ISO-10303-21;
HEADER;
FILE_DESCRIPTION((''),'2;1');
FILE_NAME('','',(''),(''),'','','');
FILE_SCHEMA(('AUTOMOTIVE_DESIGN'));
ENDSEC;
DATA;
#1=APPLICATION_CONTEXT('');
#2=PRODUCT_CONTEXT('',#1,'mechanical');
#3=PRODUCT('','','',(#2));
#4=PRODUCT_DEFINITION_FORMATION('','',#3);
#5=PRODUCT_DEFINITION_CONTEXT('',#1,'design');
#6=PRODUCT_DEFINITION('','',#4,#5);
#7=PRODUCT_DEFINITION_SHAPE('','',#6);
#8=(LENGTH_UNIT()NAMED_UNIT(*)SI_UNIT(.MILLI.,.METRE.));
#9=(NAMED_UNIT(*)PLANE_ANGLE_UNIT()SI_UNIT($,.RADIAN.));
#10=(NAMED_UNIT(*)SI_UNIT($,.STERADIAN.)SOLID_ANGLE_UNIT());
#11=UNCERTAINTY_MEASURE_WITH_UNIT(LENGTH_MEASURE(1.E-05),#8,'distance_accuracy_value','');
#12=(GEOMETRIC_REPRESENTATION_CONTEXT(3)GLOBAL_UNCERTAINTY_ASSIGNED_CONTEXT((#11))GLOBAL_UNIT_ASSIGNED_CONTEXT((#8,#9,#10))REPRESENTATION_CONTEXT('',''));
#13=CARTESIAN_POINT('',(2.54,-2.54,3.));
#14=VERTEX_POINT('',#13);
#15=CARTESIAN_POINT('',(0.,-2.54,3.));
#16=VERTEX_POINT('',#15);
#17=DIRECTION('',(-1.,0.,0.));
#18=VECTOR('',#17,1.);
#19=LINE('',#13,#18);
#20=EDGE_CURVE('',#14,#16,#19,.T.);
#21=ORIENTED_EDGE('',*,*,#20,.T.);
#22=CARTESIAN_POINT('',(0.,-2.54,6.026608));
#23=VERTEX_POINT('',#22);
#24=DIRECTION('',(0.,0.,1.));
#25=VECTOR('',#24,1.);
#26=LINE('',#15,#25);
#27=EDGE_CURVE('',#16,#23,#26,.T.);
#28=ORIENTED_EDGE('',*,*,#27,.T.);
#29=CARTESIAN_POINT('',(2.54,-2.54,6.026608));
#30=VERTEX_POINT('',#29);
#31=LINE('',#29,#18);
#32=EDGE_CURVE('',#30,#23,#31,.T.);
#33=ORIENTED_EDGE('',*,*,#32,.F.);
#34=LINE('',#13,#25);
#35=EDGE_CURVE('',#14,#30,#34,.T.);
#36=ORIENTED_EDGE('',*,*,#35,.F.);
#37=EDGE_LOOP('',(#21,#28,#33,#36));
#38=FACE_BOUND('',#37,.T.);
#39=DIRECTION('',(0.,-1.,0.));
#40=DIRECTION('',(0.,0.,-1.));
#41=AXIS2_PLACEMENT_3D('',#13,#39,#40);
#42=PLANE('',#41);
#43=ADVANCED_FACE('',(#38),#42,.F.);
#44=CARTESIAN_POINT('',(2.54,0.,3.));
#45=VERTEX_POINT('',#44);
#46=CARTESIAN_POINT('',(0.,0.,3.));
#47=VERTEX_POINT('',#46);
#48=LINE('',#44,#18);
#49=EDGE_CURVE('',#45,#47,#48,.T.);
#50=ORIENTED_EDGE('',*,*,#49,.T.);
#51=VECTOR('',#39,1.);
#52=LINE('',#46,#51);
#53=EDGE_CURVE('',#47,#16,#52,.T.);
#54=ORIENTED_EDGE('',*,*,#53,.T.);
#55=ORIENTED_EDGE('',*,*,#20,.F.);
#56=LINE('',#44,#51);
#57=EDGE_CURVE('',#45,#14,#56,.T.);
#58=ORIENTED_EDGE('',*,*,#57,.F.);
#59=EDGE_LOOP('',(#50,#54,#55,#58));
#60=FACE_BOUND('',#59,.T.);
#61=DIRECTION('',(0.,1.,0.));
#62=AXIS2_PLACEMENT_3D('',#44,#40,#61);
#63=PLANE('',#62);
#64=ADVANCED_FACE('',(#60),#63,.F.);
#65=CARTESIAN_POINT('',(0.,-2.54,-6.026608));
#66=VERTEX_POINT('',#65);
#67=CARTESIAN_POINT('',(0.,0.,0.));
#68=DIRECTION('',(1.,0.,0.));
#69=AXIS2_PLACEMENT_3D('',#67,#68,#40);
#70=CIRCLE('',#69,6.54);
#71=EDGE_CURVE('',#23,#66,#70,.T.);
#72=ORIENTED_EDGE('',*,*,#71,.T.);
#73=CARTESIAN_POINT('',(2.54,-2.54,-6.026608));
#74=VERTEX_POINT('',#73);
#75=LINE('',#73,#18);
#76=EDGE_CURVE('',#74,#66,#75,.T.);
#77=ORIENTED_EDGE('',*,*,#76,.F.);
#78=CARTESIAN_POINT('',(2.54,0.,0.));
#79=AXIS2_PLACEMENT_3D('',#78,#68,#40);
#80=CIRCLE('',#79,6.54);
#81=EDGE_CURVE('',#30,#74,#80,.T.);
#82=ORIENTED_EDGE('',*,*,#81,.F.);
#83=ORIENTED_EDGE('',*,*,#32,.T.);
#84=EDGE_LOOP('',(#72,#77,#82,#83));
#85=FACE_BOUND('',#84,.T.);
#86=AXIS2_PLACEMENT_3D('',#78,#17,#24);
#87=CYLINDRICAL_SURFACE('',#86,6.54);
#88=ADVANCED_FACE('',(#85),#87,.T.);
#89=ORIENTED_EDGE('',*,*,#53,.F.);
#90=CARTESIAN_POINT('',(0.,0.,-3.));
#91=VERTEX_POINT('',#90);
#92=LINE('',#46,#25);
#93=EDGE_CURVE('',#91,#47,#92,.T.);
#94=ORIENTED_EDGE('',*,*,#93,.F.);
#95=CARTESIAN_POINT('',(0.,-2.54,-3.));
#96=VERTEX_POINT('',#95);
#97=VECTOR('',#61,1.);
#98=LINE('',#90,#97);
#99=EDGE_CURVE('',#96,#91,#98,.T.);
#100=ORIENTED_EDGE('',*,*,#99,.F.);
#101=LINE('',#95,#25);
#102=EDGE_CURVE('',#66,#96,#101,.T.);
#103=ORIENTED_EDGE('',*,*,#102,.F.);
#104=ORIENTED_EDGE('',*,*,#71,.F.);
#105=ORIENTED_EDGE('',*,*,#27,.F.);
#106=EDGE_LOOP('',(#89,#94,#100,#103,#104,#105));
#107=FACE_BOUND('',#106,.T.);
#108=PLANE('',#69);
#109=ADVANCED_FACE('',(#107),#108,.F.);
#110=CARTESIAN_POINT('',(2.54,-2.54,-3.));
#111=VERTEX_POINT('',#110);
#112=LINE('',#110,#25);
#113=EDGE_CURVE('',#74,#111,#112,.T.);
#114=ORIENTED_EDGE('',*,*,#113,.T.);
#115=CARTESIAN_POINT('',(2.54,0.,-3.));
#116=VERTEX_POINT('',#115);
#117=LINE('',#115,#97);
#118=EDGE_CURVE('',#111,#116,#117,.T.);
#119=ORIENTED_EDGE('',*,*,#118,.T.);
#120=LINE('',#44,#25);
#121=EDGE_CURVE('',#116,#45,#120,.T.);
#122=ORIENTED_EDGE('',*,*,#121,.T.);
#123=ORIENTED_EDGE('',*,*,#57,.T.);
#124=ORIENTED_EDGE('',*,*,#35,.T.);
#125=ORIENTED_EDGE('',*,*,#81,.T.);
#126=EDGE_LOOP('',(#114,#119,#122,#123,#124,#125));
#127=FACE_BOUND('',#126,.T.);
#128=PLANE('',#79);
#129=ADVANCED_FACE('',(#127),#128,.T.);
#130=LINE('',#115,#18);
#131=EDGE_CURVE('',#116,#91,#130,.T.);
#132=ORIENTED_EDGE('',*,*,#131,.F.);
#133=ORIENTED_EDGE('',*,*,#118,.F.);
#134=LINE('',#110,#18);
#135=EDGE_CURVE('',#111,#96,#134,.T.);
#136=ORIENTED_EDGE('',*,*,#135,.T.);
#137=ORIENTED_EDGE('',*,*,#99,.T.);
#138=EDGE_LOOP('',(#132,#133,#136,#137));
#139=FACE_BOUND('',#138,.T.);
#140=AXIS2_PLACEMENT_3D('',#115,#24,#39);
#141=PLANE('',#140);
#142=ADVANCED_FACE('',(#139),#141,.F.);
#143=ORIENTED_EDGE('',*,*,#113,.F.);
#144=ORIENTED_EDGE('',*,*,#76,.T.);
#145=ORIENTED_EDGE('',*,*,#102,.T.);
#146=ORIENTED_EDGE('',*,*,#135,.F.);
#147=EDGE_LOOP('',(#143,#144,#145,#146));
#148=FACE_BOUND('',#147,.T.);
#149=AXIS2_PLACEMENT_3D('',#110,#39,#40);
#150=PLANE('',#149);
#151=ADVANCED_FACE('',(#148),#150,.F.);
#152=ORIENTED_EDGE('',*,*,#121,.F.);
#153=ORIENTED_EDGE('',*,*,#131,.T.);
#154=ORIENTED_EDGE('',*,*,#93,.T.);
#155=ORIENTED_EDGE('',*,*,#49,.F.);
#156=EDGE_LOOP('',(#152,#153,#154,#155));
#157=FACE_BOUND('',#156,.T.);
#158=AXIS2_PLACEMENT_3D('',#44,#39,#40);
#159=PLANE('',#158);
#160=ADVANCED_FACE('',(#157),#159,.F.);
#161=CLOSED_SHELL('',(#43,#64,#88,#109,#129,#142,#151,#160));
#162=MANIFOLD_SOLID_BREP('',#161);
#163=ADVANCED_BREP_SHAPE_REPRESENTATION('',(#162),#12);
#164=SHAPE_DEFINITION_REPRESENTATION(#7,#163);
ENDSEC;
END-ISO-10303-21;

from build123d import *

# Parameters (mm, degrees)
BASE_DEPTH = 2.54


with BuildPart() as part:
    # Sketch1 → Base (new body)
    with BuildSketch(Plane(origin=(0, 0, 0), x_dir=(0, 0, -1), z_dir=(1, 0, 0))):
        with BuildLine():
            Line((-3, 0), (3, 0))
            Line((3, 0), (3, -2.54))
            Line((3, -2.54), (6.026607669, -2.54))
            ThreePointArc((6.026607669, -2.54), (0, -6.54), (-6.026607669, -2.54))
            Line((-6.026607669, -2.54), (-3, -2.54))
            Line((-3, -2.54), (-3, 0))
        make_face()
    extrude(amount=BASE_DEPTH)


solid = part.part
